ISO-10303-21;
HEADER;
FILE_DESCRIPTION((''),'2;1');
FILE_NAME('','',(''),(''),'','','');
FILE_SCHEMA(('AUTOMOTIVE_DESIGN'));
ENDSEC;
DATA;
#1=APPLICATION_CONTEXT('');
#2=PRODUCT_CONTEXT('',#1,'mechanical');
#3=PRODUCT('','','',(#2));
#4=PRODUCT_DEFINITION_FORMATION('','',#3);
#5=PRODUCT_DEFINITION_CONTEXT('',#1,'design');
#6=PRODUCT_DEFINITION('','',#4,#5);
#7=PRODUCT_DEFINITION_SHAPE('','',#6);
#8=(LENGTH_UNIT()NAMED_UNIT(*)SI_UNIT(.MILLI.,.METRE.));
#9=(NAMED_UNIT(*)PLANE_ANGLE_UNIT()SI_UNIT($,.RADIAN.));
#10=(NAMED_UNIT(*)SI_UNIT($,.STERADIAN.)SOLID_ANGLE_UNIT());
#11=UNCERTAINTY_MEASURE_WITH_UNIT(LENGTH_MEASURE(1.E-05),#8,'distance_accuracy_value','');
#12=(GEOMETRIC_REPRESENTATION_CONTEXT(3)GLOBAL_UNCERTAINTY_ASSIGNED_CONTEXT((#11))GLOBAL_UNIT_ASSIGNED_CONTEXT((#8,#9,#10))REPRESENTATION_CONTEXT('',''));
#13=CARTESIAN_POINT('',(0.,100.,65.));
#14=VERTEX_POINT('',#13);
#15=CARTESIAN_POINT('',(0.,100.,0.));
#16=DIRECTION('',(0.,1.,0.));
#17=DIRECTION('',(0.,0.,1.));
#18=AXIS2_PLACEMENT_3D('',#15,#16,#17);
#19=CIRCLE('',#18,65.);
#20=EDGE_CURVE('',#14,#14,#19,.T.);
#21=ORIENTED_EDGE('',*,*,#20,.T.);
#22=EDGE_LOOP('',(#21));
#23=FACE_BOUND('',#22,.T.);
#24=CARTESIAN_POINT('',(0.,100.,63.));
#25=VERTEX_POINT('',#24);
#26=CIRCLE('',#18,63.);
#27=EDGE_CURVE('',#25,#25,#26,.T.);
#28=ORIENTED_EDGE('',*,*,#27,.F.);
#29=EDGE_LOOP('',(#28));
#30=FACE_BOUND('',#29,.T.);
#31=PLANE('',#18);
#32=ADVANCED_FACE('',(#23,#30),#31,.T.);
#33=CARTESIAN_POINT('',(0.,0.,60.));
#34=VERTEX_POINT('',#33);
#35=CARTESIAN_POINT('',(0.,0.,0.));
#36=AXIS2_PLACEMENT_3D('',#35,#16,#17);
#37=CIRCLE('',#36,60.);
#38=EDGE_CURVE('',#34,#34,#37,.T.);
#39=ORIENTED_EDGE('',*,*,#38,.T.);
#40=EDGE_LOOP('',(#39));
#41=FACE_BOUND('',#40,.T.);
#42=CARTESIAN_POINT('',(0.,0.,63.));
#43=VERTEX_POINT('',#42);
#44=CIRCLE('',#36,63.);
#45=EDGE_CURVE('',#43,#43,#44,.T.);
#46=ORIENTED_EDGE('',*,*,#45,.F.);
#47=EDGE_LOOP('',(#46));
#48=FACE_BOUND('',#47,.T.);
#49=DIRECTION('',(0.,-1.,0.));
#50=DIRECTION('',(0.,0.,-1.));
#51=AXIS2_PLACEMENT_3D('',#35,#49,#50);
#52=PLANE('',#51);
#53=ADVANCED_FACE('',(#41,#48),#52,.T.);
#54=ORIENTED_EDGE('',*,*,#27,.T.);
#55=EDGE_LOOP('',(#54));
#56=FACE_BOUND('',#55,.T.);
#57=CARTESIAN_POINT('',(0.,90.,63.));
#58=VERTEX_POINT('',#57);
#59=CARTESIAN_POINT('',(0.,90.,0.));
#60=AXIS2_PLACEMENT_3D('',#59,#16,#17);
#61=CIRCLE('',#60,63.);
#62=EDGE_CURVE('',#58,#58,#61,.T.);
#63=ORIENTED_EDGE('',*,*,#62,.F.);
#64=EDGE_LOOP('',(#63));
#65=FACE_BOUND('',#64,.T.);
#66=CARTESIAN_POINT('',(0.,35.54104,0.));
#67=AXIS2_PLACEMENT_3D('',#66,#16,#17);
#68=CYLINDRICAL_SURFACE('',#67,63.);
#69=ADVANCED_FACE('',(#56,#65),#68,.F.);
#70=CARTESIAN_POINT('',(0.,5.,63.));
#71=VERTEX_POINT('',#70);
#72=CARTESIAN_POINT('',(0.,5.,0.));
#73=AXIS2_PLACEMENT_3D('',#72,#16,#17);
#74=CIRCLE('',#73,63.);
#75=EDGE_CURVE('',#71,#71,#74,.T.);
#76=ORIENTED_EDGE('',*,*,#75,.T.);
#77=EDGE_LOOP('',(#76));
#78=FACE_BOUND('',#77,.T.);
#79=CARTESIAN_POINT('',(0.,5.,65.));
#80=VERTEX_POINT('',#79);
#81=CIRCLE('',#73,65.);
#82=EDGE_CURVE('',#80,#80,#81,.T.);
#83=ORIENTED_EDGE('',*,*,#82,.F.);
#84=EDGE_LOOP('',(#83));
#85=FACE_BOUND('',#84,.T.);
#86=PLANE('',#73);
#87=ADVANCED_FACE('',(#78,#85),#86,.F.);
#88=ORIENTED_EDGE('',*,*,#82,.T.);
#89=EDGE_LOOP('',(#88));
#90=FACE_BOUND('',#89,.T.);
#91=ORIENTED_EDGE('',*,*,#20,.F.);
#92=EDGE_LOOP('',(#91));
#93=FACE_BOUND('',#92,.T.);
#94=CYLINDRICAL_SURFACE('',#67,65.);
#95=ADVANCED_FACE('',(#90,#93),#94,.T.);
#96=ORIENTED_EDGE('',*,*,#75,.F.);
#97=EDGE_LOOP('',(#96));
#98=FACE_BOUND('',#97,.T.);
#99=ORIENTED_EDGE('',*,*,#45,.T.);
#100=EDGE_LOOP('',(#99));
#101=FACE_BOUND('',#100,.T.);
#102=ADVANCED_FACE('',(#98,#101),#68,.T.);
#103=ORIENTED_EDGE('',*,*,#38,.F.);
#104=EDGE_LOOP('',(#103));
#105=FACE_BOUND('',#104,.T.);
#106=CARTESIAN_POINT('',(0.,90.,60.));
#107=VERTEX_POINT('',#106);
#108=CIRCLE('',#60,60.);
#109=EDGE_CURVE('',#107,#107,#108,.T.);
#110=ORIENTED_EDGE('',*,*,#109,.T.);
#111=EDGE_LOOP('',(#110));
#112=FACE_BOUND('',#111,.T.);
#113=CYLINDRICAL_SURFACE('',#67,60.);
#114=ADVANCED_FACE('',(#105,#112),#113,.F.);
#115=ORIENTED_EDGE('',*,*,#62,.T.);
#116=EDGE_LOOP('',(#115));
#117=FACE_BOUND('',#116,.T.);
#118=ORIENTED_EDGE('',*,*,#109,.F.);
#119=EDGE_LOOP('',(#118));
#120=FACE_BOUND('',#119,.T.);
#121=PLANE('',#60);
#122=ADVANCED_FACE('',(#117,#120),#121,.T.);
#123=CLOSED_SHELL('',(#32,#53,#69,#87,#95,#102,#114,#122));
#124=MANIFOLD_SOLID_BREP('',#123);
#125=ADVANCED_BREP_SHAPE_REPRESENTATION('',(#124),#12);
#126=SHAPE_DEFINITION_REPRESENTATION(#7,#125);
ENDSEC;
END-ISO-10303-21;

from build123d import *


with BuildPart() as part:
    # Szkic1 → Obrót1 (revolve)
    with BuildSketch(Plane.XY, mode=Mode.PRIVATE) as obr_t1_sk:
        Polygon((-63, 5), (-63, 0), (-60, 0), (-60, 90), (-63, 90), (-63, 100), (-65, 100), (-65, 28.561789866), (-65, 5), align=None)
    revolve(obr_t1_sk.sketch.rotate(Axis((0, 35.541039942, 0), (0, -1, 0)), 270), axis=Axis((0, 35.541039942, 0), (0, -1, 0)))


solid = part.part
